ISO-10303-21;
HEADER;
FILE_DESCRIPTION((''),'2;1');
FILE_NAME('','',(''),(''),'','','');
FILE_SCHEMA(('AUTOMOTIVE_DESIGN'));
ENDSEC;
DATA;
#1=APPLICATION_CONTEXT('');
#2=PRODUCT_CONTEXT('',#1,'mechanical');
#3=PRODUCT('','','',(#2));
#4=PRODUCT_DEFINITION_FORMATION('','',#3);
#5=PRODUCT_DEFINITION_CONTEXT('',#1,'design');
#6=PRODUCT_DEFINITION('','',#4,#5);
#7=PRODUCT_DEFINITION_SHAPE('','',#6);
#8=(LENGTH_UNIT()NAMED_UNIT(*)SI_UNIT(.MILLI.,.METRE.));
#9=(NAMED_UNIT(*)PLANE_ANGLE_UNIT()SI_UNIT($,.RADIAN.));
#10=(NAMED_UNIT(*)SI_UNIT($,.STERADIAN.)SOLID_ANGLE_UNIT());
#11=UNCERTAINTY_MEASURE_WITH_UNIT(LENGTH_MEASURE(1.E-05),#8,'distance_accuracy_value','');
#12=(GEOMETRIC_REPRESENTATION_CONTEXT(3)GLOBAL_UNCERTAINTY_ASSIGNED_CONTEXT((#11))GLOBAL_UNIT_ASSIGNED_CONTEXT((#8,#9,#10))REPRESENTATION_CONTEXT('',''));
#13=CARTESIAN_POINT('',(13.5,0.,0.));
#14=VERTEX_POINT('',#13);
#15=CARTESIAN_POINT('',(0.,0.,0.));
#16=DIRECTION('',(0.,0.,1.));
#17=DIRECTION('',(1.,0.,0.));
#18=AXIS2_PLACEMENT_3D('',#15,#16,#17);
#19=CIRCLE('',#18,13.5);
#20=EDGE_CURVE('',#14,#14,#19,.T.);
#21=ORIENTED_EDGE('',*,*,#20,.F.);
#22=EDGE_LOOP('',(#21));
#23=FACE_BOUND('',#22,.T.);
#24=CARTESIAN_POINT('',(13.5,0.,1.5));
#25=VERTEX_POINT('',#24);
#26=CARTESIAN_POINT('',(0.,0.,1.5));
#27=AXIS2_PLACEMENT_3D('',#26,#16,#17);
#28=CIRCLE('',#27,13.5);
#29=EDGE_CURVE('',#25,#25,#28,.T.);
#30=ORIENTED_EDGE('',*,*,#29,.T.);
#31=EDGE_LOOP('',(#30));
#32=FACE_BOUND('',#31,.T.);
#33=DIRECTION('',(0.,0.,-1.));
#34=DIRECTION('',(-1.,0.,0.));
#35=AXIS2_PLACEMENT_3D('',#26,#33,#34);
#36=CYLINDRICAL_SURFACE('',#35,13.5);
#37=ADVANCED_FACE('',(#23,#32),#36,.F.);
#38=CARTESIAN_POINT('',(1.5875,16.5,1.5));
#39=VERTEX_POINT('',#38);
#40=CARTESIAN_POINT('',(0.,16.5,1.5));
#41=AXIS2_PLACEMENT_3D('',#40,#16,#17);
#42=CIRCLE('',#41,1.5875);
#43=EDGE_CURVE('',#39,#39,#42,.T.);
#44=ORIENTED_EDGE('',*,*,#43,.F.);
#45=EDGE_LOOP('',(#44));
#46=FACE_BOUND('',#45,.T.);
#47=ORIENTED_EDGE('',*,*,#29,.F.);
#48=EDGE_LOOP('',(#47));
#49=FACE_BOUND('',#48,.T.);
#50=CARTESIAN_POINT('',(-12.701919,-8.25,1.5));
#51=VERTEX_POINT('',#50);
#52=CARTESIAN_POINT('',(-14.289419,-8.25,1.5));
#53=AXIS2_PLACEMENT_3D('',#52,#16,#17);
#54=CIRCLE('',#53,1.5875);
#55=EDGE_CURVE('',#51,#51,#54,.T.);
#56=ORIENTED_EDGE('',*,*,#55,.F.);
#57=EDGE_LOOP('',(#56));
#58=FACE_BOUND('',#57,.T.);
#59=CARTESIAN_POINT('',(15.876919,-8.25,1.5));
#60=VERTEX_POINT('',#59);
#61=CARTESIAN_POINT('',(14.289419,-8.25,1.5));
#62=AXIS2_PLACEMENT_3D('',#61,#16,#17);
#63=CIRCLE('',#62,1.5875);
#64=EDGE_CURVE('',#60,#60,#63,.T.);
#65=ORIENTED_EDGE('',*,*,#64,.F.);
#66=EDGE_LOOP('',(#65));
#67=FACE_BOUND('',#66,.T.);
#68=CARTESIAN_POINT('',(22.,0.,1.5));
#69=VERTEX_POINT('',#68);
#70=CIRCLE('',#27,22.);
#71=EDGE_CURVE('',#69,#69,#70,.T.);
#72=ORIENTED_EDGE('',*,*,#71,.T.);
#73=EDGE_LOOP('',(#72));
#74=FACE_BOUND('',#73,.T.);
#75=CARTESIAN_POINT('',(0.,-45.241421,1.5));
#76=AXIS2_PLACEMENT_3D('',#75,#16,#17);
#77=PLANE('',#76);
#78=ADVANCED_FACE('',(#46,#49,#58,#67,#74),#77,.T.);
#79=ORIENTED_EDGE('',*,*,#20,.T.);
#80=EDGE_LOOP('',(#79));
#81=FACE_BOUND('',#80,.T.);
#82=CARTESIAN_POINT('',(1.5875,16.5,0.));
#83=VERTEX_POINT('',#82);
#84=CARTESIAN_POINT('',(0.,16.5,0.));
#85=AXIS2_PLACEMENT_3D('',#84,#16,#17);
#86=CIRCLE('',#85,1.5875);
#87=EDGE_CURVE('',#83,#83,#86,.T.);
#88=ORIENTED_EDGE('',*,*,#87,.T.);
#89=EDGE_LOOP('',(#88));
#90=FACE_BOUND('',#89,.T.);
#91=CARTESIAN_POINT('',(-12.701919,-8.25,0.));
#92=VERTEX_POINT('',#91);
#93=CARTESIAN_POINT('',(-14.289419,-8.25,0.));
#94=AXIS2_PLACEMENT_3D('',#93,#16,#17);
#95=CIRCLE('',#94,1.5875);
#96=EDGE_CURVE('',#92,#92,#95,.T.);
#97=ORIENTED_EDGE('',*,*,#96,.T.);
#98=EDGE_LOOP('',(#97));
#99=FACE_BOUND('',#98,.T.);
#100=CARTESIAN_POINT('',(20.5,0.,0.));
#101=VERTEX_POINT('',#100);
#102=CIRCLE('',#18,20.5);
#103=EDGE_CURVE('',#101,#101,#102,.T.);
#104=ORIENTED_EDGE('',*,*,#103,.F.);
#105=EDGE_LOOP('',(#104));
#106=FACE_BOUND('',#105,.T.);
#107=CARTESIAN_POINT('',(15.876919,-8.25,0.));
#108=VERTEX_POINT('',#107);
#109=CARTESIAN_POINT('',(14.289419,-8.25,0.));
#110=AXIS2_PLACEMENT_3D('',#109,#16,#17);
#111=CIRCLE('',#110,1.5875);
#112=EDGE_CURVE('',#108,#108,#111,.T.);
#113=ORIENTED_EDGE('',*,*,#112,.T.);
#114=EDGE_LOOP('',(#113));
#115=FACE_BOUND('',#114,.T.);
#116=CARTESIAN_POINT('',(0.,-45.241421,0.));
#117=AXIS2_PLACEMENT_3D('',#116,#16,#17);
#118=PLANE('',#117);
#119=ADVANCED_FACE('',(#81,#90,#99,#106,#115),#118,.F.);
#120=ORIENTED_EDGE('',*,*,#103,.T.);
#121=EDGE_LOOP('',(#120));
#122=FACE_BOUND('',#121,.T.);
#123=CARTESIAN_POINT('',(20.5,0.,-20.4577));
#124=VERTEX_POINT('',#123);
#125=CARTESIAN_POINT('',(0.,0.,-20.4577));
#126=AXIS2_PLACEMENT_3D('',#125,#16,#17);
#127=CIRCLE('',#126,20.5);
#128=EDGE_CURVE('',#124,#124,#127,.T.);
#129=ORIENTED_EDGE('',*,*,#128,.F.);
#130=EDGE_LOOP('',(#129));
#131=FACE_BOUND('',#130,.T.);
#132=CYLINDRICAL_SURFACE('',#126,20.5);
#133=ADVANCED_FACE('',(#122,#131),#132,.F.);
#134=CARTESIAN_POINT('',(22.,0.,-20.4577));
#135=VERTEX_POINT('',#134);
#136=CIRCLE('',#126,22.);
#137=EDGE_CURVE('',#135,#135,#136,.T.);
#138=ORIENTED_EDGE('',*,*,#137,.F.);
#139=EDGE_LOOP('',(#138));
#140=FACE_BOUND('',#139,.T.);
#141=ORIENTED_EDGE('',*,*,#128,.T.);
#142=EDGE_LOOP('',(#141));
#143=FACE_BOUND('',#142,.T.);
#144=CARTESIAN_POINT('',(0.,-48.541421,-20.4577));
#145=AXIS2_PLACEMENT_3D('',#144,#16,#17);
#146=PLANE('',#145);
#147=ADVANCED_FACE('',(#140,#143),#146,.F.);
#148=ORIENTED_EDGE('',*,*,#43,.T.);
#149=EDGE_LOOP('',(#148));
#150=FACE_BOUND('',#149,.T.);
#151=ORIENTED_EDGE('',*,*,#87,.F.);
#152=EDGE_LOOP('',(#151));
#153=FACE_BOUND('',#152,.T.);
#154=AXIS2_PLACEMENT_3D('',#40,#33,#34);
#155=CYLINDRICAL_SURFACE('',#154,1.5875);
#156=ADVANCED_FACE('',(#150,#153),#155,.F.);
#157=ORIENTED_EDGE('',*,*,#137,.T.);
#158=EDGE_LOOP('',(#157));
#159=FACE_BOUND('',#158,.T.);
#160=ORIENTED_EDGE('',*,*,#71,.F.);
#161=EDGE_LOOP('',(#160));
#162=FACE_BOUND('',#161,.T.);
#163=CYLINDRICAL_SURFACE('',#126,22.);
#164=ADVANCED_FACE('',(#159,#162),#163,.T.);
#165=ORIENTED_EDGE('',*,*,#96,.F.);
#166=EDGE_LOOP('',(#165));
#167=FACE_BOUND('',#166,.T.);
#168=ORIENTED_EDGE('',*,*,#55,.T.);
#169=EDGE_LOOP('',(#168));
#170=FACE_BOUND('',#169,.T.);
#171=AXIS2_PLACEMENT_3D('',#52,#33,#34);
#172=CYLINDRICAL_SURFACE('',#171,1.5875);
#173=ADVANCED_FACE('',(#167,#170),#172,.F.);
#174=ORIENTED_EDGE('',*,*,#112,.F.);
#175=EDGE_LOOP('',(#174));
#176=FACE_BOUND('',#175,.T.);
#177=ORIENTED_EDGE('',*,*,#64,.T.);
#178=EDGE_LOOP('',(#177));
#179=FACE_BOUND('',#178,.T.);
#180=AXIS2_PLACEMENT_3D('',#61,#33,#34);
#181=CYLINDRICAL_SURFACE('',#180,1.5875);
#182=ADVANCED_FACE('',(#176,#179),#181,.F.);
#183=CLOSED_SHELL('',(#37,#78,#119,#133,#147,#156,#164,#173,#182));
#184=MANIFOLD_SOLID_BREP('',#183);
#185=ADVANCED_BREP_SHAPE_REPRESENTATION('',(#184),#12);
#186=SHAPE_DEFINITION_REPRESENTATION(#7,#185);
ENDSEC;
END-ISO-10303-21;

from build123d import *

# Parameters (mm, degrees)
SKETCH1_R           = 20.5
SKETCH1_R_2         = 1.5875
SKETCH1_R_3         = 13.5
EXTRUDE1_DEPTH      = 1.5
BOSS_EXTRUDE1_START = -21.9577
SKETCH2_R           = 22
SKETCH2_R_2         = 20.5
BOSS_EXTRUDE1_DEPTH = 21.9577


with BuildPart() as part:
    # Sketch1 → Extrude1 (new body)
    # profile 1 of 4: a face of its own
    with BuildSketch(Plane.XY):
        Circle(SKETCH1_R)
        with Locations((-14.289419162, 8.25)):
            Circle(SKETCH1_R_2, mode=Mode.SUBTRACT)
        with Locations((0, -16.5)):
            Circle(SKETCH1_R_2, mode=Mode.SUBTRACT)
        with Locations((14.289419162, 8.25)):
            Circle(SKETCH1_R_2, mode=Mode.SUBTRACT)
        with Locations((-14.289419162, -8.25)):
            Circle(SKETCH1_R_2, mode=Mode.SUBTRACT)
        with Locations((14.289419162, -8.25)):
            Circle(SKETCH1_R_2, mode=Mode.SUBTRACT)
        with Locations((0, 16.5)):
            Circle(SKETCH1_R_2, mode=Mode.SUBTRACT)
        Circle(SKETCH1_R_3, mode=Mode.SUBTRACT)
    # profile 2 of 4: a face of its own
    with BuildSketch(Plane.XY):
        with Locations((-14.289419162, 8.25)):
            Circle(SKETCH1_R_2)
    # profile 3 of 4: a face of its own
    with BuildSketch(Plane.XY):
        with Locations((14.289419162, 8.25)):
            Circle(SKETCH1_R_2)
    # profile 4 of 4: a face of its own
    with BuildSketch(Plane.XY):
        with Locations((0, -16.5)):
            Circle(SKETCH1_R_2)
    extrude(amount=EXTRUDE1_DEPTH)

    # Sketch2 → Boss-Extrude1 (add)
    with BuildSketch(Plane.XY.offset(1.5).offset(BOSS_EXTRUDE1_START)):
        Circle(SKETCH2_R)
        Circle(SKETCH2_R_2, mode=Mode.SUBTRACT)
    extrude(amount=BOSS_EXTRUDE1_DEPTH)


solid = part.part
